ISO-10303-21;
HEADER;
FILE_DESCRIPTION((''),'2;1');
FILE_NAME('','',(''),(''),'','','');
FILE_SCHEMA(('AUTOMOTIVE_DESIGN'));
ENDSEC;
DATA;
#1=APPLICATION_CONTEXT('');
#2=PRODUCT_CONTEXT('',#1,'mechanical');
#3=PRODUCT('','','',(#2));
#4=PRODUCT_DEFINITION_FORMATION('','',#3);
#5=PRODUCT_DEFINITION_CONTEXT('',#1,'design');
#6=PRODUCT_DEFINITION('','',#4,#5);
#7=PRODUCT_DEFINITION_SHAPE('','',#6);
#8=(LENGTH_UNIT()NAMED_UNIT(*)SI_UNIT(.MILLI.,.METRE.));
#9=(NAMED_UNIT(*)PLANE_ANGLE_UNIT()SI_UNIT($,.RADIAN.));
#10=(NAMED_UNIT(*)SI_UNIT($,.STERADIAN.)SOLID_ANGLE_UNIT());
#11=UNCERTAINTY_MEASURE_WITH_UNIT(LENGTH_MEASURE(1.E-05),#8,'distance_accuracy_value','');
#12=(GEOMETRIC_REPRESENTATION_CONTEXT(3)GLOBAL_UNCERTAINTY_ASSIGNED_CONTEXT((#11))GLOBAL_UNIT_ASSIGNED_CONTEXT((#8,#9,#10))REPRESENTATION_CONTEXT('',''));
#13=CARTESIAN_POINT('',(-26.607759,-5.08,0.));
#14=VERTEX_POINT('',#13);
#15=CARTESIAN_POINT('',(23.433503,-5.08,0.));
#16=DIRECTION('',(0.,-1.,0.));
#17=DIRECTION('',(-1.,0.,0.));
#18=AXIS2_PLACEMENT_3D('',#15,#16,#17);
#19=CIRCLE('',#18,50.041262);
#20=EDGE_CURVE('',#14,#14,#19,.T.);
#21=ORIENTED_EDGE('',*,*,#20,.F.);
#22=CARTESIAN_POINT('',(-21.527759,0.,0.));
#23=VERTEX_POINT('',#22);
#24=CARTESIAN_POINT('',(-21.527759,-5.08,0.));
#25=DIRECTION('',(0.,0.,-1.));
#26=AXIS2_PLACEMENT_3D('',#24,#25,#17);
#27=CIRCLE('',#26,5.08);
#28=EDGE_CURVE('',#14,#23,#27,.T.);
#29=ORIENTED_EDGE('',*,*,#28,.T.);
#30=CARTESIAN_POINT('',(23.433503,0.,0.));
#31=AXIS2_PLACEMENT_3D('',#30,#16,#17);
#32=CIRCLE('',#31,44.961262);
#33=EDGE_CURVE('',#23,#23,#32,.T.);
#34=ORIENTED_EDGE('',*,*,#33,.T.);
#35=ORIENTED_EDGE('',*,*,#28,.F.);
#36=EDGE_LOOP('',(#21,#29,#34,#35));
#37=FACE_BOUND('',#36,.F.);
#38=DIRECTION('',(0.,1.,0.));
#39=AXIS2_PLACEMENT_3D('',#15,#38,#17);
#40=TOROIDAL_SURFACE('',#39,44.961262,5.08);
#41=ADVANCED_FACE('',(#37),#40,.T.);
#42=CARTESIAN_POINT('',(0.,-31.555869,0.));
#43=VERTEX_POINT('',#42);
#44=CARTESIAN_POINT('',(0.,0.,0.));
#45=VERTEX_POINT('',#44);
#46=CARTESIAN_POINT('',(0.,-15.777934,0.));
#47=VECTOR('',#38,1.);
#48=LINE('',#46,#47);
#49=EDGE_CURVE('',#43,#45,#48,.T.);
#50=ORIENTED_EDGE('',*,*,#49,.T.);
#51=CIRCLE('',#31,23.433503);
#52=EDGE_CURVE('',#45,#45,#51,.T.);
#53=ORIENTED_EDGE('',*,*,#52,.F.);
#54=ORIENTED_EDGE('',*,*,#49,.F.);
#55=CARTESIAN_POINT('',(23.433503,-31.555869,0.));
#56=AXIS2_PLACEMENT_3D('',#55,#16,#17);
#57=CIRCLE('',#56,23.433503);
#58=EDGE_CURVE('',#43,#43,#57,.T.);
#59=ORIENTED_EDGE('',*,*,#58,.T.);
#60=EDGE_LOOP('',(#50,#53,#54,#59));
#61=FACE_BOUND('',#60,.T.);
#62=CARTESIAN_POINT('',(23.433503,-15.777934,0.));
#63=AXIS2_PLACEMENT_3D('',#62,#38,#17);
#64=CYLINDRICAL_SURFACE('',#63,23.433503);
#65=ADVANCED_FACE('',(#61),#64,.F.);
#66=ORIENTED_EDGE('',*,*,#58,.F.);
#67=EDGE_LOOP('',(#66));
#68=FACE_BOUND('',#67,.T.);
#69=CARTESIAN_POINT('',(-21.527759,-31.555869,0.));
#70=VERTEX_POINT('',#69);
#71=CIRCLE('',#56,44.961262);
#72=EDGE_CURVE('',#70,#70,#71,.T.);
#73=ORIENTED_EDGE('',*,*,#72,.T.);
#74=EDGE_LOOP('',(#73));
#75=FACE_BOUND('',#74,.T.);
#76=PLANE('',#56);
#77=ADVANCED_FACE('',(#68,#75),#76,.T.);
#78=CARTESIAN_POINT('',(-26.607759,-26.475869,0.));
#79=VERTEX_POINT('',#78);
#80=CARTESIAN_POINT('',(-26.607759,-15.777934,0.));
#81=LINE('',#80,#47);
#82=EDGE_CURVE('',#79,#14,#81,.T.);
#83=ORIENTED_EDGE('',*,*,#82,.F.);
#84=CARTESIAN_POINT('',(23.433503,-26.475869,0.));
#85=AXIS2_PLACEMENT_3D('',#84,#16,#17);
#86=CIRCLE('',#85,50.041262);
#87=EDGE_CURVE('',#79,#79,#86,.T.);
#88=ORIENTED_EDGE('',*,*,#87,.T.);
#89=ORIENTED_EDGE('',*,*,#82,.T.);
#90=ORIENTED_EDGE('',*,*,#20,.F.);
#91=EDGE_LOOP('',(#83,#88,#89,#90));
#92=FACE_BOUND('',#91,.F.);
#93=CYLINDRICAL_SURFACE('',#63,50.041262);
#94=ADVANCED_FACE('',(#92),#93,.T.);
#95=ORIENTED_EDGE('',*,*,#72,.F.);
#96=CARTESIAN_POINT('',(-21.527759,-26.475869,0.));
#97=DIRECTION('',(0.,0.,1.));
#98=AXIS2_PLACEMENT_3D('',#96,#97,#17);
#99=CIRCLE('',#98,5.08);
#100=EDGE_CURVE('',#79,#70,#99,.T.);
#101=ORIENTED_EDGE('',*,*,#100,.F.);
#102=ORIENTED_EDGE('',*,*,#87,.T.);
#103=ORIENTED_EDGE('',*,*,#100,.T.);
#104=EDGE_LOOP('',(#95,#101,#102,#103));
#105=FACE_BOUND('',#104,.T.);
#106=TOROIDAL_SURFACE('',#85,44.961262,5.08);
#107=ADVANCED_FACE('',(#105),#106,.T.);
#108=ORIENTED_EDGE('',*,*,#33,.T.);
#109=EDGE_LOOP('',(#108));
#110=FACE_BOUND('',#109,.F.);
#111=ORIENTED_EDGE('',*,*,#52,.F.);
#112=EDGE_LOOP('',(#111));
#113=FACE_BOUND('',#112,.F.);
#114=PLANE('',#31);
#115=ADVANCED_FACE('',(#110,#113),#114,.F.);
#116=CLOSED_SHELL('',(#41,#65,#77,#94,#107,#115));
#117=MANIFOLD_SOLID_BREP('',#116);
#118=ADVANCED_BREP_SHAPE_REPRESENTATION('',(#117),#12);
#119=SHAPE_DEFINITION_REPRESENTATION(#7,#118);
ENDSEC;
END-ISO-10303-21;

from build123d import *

# Parameters (mm, degrees)
F0_W = 26.6077592969
F0_H = 31.5558686852
F3_R = 5.08
F4_R = 5.08


with BuildPart() as f2:
    # F0 (on Top) → F2 (revolve)
    with BuildSketch(Plane.XY):
        with Locations((-13.3038796484, -15.7779343426)):
            Rectangle(F0_W, F0_H)
    revolve(axis=Axis((23.4335027635, -18.3920301497, 0), (0, -1, 0)))

    # F3
    f3_edges = [f2.edges().sort_by_distance(p)[0] for p in [
        (73.474765, 0, 0),
    ]]
    fillet(f3_edges, radius=F3_R)

    # F4
    f4_edges = [f2.edges().sort_by_distance(p)[0] for p in [
        (73.474765, -31.555869, 0),
    ]]
    fillet(f4_edges, radius=F4_R)


solid = f2.part
